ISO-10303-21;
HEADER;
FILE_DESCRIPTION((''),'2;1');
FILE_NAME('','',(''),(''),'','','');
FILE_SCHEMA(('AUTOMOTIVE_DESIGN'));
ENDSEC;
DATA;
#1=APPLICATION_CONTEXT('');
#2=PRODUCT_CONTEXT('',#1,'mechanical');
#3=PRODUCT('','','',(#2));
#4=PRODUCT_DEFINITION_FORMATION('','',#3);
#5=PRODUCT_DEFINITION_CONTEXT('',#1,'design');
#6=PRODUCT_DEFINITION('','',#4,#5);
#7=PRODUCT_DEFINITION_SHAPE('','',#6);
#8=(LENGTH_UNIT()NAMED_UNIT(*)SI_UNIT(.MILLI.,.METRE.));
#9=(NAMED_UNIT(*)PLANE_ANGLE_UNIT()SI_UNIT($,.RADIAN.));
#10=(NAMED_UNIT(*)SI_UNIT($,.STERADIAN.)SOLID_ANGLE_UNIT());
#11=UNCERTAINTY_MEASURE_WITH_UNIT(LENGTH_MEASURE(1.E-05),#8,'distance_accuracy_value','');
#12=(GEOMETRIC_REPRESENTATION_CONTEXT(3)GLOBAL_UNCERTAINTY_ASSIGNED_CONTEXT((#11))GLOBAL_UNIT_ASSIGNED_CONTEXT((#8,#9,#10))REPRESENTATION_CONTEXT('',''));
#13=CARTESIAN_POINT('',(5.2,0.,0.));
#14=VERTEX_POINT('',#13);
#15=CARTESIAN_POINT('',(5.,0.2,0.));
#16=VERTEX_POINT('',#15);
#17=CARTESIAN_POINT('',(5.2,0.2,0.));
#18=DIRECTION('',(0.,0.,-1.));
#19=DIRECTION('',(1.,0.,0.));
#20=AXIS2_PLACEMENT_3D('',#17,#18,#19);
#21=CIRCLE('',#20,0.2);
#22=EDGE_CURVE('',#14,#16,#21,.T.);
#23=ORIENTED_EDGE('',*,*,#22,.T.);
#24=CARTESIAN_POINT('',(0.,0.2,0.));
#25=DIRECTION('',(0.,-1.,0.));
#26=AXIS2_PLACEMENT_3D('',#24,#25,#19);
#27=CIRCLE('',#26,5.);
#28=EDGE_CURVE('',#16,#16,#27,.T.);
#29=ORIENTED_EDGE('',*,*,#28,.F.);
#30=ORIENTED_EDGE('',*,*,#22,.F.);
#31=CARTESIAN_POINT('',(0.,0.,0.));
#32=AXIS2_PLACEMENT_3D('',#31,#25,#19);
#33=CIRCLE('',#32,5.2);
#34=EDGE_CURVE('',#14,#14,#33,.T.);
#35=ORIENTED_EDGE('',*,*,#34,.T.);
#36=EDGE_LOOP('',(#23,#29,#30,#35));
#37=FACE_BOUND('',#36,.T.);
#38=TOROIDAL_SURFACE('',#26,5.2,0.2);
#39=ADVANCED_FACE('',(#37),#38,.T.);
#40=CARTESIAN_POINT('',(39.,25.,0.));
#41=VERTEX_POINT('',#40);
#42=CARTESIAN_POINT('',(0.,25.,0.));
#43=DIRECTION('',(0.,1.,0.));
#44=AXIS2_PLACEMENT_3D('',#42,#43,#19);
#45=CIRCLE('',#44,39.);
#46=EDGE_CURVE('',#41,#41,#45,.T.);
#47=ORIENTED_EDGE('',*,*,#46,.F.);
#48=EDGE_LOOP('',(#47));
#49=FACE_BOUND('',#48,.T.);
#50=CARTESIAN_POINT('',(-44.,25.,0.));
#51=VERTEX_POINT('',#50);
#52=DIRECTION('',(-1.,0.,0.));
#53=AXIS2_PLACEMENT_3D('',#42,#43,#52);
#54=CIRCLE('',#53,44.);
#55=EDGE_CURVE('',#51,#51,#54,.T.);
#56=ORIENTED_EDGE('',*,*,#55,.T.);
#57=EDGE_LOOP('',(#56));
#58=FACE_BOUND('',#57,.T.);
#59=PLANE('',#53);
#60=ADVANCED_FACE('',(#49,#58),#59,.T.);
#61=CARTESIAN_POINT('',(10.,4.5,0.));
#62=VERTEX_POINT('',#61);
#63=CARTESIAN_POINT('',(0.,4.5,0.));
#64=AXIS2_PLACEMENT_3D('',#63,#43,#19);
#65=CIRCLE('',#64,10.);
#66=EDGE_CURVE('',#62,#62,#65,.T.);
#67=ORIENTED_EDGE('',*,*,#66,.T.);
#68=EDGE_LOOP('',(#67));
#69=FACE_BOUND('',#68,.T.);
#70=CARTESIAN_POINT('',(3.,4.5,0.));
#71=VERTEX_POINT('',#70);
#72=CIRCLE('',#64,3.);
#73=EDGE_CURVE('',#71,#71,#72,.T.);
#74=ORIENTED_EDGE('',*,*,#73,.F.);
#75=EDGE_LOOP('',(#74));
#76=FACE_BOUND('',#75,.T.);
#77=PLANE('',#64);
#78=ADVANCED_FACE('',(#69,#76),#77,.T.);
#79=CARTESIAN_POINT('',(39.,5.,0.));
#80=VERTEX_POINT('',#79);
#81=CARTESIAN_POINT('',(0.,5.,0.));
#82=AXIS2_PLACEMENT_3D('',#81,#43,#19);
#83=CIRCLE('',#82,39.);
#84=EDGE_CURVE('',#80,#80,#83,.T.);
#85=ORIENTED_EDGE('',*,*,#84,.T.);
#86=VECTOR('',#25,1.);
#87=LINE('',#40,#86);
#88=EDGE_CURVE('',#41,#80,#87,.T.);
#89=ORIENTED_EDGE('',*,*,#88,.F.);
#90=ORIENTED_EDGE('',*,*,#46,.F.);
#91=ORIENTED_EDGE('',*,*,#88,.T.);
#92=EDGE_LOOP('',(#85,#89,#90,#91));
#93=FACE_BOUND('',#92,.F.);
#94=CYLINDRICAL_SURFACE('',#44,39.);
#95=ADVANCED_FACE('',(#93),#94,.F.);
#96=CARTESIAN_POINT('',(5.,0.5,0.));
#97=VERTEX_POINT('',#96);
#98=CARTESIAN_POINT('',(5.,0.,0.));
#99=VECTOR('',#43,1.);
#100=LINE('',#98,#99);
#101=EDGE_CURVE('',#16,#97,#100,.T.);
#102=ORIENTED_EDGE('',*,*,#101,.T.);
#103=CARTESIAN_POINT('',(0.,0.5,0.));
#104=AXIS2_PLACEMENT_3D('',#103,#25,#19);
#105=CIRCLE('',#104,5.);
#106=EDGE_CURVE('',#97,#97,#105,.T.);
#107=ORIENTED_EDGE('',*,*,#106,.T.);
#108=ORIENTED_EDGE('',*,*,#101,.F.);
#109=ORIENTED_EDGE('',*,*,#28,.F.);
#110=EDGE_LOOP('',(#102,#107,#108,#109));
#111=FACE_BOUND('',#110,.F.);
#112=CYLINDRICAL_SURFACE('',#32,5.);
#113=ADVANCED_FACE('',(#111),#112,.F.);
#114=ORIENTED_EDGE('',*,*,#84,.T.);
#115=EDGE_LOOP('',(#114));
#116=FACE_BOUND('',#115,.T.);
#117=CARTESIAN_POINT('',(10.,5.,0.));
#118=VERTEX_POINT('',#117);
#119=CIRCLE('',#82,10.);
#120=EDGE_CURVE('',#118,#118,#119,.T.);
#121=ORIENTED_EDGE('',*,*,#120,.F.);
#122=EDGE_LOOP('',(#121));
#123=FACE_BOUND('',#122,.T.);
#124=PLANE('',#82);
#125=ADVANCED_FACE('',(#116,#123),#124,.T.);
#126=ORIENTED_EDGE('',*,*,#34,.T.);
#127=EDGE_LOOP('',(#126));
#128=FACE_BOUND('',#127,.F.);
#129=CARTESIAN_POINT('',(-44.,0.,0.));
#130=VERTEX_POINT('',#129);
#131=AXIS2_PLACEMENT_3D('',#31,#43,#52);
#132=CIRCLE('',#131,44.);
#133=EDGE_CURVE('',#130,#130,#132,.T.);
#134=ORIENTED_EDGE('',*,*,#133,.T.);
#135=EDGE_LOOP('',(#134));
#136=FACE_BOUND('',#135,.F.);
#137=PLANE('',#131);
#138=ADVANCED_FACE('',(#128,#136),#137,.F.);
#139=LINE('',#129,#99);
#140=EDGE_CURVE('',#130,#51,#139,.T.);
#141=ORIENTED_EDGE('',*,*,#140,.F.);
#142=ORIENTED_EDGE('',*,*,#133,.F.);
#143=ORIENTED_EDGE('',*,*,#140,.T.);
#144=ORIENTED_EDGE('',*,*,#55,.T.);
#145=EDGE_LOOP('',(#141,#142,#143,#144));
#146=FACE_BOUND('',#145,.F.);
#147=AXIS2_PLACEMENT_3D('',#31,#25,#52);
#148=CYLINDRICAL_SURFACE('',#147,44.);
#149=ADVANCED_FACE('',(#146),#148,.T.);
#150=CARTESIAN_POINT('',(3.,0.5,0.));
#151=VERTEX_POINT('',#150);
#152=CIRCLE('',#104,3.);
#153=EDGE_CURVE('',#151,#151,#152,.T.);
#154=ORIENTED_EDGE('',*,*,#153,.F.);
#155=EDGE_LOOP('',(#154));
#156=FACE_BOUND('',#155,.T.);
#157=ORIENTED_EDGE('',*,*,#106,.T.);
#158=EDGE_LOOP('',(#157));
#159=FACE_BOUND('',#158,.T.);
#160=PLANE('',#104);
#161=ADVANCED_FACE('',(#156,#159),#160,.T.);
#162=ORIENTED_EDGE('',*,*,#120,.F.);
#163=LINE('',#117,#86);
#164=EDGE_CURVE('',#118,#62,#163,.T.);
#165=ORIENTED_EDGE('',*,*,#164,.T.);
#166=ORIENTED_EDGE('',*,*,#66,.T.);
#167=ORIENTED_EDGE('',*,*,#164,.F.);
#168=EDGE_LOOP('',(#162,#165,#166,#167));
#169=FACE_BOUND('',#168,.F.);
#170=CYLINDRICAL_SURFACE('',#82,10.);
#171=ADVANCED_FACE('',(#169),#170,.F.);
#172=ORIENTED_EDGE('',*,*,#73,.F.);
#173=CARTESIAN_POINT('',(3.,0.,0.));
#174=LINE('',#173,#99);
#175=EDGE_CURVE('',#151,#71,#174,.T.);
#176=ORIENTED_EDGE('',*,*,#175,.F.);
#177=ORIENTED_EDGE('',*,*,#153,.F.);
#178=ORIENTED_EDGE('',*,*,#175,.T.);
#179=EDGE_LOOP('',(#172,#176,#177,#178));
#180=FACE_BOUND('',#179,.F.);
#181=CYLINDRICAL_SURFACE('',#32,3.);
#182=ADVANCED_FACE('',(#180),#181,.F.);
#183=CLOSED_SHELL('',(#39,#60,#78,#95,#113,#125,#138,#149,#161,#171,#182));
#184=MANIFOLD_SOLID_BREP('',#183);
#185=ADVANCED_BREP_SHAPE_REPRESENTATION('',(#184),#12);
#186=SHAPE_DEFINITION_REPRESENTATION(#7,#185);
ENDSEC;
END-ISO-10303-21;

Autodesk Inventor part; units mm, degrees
ref_plane "YZ Plane" through (0, 0, 0) normal (1, 0, 0) x (0, 1, 0)
ref_plane "XZ Plane" through (0, 0, 0) normal (0, 1, 0) x (-1, 0, 0)
ref_plane "XY Plane" through (0, 0, 0) normal (0, 0, 1) x (1, 0, 0)
sketch "Sketch1" plane through (0, 0, 0) normal (0, 1, 0) x (-1, 0, 0)
  circle A0 centre (0, 0) radius 44
  dimension "d0" = 88
extrude "Extrusion1" add sketch "Sketch1" along normal blind 25
sketch "Sketch2" plane through (0, 25, 0) normal (0, 1, 0) x (1, 0, 0)
  circle A0 centre (0, 0) radius 44
  circle A1 centre (0, 0) radius 39
  dimension "d5" = 5
extrude "Extrusion2" cut sketch "Sketch2" against normal blind 20 contours A1
sketch "Sketch3" plane through (0, 0, 0) normal (0, -1, 0) x (1, 0, 0)
  circle A0 centre (0, 0) radius 3
  circle A1 centre (0, 0) radius 5
  dimension "d8" = 6
  dimension "d9" = 2
extrude "Extrusion3" cut sketch "Sketch3" against normal blind 20 contours A0
extrude "Extrusion4" cut sketch "Sketch3" against normal blind 0.5
fillet "Fillet1" radius 0.2 1 edges at (-5, 0, 0)
sketch "Sketch4" plane through (0, 5, 0) normal (0, 1, 0) x (1, 0, 0)
  circle A0 centre (0, 0) radius 3 projected
  circle A1 centre (0, 0) radius 10
  dimension "d15" = 20
extrude "Extrusion5" cut sketch "Sketch4" against normal blind 0.5
properties part number "bottom" material "Polyethylene, High Density"
